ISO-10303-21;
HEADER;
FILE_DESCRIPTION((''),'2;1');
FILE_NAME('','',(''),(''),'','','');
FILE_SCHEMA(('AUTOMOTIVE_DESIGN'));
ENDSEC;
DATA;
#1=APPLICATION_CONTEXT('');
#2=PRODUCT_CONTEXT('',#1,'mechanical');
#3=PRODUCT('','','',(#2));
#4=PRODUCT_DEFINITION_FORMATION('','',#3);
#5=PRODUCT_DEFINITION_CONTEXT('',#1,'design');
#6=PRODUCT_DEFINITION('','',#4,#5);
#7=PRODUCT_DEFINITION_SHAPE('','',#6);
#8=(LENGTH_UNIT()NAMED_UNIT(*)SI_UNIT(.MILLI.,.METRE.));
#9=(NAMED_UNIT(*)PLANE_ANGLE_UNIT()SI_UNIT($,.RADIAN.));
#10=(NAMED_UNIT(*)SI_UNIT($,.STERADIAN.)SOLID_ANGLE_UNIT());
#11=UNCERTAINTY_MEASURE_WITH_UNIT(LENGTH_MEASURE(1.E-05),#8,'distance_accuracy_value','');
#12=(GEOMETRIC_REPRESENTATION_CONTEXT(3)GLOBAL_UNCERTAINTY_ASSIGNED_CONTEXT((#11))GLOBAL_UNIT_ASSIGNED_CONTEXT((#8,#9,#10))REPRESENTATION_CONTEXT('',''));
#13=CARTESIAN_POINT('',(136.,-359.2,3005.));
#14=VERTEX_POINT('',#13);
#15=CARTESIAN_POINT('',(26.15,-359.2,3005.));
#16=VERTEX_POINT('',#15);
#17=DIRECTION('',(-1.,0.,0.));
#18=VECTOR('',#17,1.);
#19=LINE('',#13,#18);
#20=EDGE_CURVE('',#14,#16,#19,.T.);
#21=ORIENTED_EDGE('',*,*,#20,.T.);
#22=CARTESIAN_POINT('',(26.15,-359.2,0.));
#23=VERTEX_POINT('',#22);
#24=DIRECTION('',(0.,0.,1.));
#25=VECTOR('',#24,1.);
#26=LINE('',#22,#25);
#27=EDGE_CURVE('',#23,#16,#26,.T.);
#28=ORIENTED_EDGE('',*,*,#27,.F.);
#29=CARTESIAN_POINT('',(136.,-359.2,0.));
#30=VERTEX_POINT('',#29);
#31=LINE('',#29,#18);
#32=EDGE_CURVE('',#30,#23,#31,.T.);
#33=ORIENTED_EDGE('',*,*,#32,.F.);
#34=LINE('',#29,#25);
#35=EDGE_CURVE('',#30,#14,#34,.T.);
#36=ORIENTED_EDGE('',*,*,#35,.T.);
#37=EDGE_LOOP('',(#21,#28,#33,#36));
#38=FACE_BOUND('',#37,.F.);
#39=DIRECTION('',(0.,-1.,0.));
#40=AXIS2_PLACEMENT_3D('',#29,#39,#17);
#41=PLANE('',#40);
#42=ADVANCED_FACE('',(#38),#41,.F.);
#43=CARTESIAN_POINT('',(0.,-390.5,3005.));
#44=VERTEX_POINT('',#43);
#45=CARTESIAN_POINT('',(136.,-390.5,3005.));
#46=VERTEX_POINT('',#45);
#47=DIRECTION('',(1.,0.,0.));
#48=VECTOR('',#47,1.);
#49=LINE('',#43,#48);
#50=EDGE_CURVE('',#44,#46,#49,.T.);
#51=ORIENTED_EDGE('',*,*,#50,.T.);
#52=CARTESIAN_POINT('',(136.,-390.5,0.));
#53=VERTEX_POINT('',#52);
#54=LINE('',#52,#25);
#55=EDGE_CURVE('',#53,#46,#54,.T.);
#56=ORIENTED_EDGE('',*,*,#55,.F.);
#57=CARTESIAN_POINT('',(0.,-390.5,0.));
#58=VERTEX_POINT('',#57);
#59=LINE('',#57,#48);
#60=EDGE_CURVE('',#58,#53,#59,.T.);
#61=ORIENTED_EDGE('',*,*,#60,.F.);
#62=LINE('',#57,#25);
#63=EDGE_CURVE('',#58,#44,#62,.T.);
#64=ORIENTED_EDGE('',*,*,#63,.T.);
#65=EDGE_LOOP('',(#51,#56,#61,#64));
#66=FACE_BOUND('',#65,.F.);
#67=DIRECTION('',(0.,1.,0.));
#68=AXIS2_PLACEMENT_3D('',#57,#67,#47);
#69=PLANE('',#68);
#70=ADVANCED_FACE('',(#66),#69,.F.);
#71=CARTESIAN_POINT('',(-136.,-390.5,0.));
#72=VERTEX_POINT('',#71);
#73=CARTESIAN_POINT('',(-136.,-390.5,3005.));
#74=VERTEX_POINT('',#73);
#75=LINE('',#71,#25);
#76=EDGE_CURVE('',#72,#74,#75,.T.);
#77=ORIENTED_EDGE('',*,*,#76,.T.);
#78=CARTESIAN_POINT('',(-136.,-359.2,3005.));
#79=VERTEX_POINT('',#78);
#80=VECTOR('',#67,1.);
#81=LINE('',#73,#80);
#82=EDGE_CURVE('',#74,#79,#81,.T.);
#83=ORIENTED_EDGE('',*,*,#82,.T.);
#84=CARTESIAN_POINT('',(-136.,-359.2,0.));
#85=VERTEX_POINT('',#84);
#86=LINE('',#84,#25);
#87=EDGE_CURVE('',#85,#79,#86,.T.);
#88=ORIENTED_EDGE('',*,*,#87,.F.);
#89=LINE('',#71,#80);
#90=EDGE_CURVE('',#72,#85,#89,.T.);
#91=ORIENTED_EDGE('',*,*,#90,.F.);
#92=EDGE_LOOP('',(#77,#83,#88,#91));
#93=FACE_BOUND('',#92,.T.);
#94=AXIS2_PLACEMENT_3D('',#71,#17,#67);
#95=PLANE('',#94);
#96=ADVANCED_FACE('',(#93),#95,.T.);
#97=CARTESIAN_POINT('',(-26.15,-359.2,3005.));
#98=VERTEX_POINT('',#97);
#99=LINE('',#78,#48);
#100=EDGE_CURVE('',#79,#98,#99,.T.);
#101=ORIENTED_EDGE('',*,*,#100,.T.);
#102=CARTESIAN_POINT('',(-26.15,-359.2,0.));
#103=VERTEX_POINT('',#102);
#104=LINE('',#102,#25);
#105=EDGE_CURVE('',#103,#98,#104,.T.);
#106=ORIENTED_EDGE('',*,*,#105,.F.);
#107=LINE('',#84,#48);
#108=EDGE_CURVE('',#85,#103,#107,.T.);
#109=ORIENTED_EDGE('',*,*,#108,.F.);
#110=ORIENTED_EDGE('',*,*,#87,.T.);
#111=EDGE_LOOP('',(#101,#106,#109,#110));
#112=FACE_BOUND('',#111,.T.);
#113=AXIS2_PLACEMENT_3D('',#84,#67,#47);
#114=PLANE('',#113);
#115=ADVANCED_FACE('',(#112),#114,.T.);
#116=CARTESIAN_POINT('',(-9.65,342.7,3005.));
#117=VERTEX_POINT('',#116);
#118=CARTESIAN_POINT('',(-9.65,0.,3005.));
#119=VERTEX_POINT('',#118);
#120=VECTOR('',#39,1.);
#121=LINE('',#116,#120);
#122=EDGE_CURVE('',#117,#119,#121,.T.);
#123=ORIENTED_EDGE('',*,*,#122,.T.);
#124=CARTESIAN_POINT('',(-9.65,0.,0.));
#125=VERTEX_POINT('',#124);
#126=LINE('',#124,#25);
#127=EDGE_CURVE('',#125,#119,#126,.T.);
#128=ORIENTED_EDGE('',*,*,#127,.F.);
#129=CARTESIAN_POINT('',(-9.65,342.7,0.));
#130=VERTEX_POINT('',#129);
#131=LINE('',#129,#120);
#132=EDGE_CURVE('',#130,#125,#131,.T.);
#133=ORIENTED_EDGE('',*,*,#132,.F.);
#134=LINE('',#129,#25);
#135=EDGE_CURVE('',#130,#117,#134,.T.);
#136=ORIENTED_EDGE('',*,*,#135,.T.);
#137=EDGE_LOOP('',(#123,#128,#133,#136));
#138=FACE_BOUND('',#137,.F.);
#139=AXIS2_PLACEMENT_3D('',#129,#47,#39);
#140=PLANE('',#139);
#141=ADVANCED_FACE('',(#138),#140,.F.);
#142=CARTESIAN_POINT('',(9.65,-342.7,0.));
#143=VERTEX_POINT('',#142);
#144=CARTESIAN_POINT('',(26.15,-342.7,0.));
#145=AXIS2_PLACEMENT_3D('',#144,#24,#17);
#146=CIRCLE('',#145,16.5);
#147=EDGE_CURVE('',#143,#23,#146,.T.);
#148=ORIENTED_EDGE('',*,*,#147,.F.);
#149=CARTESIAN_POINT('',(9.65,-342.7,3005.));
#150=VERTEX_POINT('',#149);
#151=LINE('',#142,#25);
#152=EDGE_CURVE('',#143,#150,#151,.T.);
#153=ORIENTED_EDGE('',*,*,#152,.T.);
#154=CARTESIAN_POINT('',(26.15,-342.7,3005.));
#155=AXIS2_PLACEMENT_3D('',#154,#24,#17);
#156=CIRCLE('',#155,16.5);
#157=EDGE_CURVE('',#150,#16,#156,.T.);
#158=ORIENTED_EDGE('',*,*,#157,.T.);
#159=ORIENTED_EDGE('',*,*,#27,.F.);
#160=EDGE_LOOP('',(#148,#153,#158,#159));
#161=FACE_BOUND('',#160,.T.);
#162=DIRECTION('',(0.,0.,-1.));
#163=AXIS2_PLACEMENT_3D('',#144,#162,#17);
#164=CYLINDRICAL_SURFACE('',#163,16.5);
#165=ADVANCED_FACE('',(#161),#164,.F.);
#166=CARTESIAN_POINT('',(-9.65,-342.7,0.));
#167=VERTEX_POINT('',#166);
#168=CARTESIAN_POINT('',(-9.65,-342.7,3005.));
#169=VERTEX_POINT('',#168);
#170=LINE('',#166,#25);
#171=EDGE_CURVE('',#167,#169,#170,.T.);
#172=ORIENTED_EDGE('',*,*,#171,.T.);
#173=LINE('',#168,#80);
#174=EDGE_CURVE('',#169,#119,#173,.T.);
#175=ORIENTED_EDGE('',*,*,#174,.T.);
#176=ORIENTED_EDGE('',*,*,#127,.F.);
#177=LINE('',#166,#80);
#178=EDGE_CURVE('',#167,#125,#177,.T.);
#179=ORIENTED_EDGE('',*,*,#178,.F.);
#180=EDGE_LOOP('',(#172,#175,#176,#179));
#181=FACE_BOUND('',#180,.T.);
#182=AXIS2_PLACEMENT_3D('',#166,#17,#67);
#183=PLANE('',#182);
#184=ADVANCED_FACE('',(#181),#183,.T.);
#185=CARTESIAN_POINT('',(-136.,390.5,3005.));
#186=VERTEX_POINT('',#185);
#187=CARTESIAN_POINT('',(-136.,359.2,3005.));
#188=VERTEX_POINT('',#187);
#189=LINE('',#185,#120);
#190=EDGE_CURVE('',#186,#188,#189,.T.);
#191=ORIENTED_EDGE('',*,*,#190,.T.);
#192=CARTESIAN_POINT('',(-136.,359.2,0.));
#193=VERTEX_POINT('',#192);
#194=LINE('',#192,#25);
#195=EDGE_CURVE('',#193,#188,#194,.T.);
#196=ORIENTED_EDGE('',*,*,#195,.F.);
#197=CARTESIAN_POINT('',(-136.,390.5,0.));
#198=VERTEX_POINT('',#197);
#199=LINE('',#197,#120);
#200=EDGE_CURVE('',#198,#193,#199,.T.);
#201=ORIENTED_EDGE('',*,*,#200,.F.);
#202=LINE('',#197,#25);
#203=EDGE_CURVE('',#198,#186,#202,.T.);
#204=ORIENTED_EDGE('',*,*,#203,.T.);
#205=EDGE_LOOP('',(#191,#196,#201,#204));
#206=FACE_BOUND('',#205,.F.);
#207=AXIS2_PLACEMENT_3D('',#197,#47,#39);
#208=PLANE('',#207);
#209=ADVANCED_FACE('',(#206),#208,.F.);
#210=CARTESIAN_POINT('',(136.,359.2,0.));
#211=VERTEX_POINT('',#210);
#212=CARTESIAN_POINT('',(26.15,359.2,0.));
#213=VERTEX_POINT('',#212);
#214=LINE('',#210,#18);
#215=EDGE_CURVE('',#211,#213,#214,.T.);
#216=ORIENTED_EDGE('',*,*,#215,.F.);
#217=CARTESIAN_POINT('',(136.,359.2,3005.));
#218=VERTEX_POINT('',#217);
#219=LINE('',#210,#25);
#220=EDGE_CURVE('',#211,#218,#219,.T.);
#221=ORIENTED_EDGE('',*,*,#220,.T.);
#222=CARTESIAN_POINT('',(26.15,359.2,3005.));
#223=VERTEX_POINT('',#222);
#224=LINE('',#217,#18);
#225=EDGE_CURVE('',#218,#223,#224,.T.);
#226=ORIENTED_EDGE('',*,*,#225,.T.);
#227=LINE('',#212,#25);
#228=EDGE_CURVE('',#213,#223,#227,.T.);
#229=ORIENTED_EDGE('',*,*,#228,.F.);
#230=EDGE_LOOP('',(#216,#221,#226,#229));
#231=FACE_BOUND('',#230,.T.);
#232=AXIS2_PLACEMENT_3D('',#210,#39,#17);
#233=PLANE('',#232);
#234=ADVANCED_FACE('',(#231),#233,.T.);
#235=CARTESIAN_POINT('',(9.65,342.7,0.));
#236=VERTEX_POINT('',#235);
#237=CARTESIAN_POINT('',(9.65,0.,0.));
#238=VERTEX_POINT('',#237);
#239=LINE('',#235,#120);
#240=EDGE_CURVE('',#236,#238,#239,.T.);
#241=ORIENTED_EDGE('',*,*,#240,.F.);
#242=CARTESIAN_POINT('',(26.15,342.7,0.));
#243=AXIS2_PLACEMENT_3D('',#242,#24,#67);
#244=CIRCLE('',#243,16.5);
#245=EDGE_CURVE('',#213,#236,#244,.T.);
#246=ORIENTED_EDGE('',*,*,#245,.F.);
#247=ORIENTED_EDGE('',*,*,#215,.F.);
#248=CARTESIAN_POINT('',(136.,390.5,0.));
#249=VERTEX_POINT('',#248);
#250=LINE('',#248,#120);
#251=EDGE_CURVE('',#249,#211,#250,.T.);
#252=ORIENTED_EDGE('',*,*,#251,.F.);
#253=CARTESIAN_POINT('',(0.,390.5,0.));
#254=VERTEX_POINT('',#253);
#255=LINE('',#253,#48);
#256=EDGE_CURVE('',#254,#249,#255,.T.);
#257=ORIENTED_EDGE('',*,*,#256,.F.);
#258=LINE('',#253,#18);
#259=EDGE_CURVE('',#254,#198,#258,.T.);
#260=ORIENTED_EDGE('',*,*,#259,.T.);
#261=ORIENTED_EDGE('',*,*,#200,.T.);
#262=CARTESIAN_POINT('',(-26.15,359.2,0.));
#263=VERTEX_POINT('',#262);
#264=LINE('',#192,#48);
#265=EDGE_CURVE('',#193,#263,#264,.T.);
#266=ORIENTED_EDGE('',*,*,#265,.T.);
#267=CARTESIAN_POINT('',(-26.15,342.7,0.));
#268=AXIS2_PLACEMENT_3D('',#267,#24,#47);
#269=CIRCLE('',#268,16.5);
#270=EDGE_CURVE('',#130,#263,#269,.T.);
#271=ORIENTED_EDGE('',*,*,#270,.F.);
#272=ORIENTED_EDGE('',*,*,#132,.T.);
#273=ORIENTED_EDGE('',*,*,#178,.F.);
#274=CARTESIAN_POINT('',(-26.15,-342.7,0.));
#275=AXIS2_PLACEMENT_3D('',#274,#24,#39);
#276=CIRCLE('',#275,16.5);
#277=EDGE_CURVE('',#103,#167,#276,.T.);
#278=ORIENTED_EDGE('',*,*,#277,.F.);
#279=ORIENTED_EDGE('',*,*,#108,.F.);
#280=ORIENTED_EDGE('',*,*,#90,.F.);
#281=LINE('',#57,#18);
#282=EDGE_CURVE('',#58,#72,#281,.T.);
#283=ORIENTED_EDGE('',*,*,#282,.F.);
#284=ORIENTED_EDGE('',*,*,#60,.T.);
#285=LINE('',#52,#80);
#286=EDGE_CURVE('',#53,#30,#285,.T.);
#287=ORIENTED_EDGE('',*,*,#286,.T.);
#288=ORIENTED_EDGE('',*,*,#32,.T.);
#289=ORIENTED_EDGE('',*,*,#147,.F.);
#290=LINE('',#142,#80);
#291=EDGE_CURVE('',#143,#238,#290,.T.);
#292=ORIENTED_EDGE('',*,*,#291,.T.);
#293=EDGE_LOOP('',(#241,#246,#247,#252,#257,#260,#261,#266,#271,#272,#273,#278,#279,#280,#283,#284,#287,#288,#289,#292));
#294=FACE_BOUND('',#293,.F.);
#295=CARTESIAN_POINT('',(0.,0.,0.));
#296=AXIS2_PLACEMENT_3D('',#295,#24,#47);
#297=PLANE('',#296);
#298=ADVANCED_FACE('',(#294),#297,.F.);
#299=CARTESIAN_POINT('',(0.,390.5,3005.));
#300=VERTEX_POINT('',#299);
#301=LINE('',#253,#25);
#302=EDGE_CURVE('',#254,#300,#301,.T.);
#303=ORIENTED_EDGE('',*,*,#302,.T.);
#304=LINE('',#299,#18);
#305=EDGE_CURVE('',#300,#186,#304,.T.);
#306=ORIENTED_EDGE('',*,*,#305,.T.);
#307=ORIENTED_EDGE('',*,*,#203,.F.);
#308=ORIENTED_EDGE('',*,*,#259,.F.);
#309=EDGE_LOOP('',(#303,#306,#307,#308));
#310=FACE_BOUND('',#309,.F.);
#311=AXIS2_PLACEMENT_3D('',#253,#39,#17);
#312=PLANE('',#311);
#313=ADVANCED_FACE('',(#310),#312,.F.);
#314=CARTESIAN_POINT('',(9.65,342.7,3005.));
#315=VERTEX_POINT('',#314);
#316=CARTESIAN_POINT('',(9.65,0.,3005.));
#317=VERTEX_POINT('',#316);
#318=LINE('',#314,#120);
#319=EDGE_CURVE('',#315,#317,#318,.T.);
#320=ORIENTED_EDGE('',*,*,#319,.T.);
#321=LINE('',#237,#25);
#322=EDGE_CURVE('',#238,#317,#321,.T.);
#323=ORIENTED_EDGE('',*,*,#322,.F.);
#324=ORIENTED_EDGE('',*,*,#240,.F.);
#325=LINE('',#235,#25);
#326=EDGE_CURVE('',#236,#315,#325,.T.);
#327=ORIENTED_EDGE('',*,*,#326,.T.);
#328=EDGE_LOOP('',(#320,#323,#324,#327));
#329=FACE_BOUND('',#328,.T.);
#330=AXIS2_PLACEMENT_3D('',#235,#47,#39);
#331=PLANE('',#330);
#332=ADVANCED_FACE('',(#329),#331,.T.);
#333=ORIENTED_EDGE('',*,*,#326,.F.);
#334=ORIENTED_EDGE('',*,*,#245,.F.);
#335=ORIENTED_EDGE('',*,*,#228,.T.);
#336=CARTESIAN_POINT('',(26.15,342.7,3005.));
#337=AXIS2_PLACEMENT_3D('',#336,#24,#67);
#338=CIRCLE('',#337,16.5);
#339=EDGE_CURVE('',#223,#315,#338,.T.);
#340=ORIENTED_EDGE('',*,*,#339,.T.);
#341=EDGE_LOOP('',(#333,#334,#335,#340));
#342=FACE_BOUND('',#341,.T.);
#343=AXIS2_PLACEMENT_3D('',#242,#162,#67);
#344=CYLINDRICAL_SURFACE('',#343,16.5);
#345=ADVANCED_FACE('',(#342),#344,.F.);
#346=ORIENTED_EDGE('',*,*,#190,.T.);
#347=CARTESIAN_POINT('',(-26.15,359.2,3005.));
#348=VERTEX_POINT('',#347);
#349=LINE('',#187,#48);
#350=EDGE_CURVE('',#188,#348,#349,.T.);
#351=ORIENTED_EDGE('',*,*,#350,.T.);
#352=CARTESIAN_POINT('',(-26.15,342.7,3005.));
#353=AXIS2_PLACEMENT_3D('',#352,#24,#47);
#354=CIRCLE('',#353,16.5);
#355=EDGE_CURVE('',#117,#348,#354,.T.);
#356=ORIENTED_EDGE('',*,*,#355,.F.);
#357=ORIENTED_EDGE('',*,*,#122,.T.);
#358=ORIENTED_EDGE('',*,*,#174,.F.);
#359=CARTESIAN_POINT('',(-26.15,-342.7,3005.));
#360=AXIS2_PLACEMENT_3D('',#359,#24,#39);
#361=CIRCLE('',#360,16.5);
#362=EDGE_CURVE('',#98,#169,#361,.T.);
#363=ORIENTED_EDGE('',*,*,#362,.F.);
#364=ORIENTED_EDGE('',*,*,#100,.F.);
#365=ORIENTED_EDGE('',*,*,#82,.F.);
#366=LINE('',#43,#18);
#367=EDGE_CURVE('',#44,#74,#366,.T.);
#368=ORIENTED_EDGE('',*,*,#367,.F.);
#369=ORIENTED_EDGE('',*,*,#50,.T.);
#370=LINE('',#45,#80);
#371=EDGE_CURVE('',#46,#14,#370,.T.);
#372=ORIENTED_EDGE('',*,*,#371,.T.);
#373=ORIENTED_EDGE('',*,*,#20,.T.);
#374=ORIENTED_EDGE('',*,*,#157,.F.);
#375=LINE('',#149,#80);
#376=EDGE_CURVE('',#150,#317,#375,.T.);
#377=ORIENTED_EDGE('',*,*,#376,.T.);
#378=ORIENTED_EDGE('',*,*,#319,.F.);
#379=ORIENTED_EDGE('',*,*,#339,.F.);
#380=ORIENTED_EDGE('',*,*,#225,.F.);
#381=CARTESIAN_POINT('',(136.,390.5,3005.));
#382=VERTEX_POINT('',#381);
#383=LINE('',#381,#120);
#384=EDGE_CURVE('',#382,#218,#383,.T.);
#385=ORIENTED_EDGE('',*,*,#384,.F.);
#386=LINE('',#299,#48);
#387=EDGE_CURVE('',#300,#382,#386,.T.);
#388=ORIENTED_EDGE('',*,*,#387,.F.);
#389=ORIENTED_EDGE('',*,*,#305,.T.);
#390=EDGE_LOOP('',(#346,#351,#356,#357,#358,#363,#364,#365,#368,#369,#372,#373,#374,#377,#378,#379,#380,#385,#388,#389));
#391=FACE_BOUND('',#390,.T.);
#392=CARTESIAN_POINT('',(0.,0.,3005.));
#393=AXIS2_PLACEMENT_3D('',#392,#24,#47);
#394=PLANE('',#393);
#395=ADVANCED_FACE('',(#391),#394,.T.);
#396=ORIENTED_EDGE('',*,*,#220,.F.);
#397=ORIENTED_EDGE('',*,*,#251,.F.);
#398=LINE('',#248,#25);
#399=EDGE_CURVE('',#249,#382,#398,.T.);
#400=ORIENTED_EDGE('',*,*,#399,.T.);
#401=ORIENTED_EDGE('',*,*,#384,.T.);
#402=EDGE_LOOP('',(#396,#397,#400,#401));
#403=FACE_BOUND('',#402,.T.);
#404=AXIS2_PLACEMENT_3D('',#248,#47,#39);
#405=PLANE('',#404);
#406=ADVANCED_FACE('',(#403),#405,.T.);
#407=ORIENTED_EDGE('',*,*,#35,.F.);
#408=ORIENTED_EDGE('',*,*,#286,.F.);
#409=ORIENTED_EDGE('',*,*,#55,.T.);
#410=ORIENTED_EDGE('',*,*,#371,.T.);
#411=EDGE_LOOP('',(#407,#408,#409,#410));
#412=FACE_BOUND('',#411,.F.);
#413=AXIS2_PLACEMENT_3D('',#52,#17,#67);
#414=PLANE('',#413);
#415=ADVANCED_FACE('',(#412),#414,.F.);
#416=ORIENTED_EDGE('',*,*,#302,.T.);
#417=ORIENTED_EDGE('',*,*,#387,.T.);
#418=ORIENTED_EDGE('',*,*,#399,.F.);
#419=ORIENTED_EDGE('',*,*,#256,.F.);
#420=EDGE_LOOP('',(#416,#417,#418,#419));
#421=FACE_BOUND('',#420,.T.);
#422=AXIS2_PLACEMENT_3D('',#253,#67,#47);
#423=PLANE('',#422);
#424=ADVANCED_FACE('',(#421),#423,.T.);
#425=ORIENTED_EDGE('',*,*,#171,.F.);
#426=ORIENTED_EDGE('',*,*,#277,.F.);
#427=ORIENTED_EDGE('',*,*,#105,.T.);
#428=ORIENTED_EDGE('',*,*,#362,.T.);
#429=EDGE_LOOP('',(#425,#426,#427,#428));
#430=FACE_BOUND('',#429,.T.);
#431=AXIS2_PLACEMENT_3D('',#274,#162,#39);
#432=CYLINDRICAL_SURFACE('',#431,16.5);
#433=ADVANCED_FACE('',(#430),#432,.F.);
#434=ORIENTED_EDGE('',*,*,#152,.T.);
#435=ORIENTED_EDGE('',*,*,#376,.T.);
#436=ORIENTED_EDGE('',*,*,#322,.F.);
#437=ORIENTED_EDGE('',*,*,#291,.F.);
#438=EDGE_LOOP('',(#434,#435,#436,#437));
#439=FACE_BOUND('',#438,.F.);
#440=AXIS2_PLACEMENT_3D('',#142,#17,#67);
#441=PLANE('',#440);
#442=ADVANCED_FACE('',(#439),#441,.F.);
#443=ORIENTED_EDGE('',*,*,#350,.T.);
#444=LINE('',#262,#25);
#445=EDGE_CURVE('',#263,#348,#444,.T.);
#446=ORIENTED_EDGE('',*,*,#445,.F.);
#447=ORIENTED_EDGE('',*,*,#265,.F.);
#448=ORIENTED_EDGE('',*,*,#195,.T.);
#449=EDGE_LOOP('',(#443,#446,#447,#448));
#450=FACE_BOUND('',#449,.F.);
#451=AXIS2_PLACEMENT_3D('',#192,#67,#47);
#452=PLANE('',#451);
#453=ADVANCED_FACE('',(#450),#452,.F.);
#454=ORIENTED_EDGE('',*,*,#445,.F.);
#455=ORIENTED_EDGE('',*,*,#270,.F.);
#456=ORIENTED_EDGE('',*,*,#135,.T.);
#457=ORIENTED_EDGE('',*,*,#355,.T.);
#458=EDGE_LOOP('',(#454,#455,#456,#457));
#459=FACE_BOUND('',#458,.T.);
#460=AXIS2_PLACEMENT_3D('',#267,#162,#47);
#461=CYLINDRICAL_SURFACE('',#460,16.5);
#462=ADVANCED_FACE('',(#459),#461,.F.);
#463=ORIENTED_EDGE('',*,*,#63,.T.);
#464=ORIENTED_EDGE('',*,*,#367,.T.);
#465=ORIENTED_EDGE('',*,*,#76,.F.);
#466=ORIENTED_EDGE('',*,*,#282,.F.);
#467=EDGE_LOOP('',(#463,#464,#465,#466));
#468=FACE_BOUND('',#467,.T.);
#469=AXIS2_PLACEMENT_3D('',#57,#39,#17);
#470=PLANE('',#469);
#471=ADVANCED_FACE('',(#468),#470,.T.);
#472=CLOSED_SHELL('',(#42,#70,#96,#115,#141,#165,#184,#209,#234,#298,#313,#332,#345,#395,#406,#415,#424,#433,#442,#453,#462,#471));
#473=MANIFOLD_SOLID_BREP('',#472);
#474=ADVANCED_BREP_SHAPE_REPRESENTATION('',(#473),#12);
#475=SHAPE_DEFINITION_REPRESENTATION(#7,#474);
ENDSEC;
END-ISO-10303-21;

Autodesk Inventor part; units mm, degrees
ref_plane "YZ Plane" through (0, 0, 0) normal (1, 0, 0) x (0, 1, 0)
ref_plane "Start plane" through (0, 0, 0) normal (0, 0, 1) x (1, 0, 0)
ref_plane "End plane" through (0, 0, 3005) normal (0, 0, 1) x (1, 0, 0)
sketch "Sketch" plane through (0, 0, 0) normal (0, 0, 1) x (1, 0, 0)
  line L0 (-136, -390.5) -> (-136, -359.2)
  line L1 (-136, -359.2) -> (-26.15, -359.2)
  line L2 (-9.65, -342.7) -> (-9.65, 0)
  line L3 (-9.65, 0) -> (0, 0) construction
  line L4 (0, 0) -> (0, -390.5) construction
  line L5 (0, -390.5) -> (-136, -390.5)
  line L6 (-60, 0) -> (80, 0) construction
  line L7 (0, -60) -> (0, 80) construction
  line L8 (136, -390.5) -> (136, -359.2)
  line L9 (136, -359.2) -> (26.15, -359.2)
  line L10 (9.65, -342.7) -> (9.65, 0)
  line L11 (9.65, 0) -> (0, 0) construction
  line L12 (0, -390.5) -> (136, -390.5)
  line L13 (-136, 390.5) -> (-136, 359.2)
  line L14 (-136, 359.2) -> (-26.15, 359.2)
  line L15 (-9.65, 342.7) -> (-9.65, 0)
  line L16 (0, 390.5) -> (-136, 390.5)
  line L17 (136, 390.5) -> (136, 359.2)
  line L18 (136, 359.2) -> (26.15, 359.2)
  line L19 (0, 390.5) -> (136, 390.5)
  line L20 (9.65, 342.7) -> (9.65, 0)
  arc A0 (-9.65, 342.7) -> (-26.15, 359.2) centre (-26.15, 342.7) ccw
  arc A1 (26.15, 359.2) -> (9.65, 342.7) centre (26.15, 342.7) ccw
  arc A2 (9.65, -342.7) -> (26.15, -359.2) centre (26.15, -342.7) ccw
  arc A3 (-26.15, -359.2) -> (-9.65, -342.7) centre (-26.15, -342.7) ccw
  line L21 (0, 108) -> (0, -88) construction
  line L22 (-88, 0) -> (108, 0) construction
  point P0 (-9.65, -359.2)
  point P1 (9.65, -359.2)
  point P2 (-9.65, 359.2)
  point P3 (9.65, 359.2)
  dimension "d1" = 390.5
  dimension "d2" = 31.3
  dimension "d3" = 136
  dimension "d4" = 9.65
  dimension "d10" = 16.5
extrude "Body" add sketch "Sketch" along normal up to surface (3005 mm away) from surface at 0
sketch "Sketch4" plane through (0, 0, 0) normal (0, 0, 1) x (1, 0, 0)
  line L0 (0, 0) -> (10, 0)
ref_plane "Work Plane3" through (0, 0, 0) normal (0, -1, 0) x (1, 0, 0)
sketch "Sketch5" plane through (0, 0, 0) normal (0, -1, 0) x (1, 0, 0)
  line L0 (-2, 0) -> (12, 0) projected
  line L1 (-2, 3005) -> (12, 3005) projected
  dimension "d14" = 3005
equation "\"d1\" = 0.5 * G_H"
equation "\"d2\" = G_T1"
equation "\"d3\" = 0.5 * G_W"
equation "\"d4\" = 0.5 * G_T"
equation "\"d10\" = G_IR"
equation "\"d5\" = G_L"
equation "\"G_W\" = 272"
equation "\"G_H\" = 781"
equation "\"G_T\" = 19.3"
equation "\"G_T1\" = 31.3"
equation "\"G_IR\" = 16.5"
equation "\"G_L\" = d14"
equation "\"G_OFFSET_START\" = 0"
equation "\"G_OFFSET_END\" = 0"
equation "\"d12\" = G_OFFSET_END + B_L"
equation "\"B_L\" = 3005"
properties part number "AS 3679-1990 - 760 UB - 244 - 3005" material "Steel, Mild"
